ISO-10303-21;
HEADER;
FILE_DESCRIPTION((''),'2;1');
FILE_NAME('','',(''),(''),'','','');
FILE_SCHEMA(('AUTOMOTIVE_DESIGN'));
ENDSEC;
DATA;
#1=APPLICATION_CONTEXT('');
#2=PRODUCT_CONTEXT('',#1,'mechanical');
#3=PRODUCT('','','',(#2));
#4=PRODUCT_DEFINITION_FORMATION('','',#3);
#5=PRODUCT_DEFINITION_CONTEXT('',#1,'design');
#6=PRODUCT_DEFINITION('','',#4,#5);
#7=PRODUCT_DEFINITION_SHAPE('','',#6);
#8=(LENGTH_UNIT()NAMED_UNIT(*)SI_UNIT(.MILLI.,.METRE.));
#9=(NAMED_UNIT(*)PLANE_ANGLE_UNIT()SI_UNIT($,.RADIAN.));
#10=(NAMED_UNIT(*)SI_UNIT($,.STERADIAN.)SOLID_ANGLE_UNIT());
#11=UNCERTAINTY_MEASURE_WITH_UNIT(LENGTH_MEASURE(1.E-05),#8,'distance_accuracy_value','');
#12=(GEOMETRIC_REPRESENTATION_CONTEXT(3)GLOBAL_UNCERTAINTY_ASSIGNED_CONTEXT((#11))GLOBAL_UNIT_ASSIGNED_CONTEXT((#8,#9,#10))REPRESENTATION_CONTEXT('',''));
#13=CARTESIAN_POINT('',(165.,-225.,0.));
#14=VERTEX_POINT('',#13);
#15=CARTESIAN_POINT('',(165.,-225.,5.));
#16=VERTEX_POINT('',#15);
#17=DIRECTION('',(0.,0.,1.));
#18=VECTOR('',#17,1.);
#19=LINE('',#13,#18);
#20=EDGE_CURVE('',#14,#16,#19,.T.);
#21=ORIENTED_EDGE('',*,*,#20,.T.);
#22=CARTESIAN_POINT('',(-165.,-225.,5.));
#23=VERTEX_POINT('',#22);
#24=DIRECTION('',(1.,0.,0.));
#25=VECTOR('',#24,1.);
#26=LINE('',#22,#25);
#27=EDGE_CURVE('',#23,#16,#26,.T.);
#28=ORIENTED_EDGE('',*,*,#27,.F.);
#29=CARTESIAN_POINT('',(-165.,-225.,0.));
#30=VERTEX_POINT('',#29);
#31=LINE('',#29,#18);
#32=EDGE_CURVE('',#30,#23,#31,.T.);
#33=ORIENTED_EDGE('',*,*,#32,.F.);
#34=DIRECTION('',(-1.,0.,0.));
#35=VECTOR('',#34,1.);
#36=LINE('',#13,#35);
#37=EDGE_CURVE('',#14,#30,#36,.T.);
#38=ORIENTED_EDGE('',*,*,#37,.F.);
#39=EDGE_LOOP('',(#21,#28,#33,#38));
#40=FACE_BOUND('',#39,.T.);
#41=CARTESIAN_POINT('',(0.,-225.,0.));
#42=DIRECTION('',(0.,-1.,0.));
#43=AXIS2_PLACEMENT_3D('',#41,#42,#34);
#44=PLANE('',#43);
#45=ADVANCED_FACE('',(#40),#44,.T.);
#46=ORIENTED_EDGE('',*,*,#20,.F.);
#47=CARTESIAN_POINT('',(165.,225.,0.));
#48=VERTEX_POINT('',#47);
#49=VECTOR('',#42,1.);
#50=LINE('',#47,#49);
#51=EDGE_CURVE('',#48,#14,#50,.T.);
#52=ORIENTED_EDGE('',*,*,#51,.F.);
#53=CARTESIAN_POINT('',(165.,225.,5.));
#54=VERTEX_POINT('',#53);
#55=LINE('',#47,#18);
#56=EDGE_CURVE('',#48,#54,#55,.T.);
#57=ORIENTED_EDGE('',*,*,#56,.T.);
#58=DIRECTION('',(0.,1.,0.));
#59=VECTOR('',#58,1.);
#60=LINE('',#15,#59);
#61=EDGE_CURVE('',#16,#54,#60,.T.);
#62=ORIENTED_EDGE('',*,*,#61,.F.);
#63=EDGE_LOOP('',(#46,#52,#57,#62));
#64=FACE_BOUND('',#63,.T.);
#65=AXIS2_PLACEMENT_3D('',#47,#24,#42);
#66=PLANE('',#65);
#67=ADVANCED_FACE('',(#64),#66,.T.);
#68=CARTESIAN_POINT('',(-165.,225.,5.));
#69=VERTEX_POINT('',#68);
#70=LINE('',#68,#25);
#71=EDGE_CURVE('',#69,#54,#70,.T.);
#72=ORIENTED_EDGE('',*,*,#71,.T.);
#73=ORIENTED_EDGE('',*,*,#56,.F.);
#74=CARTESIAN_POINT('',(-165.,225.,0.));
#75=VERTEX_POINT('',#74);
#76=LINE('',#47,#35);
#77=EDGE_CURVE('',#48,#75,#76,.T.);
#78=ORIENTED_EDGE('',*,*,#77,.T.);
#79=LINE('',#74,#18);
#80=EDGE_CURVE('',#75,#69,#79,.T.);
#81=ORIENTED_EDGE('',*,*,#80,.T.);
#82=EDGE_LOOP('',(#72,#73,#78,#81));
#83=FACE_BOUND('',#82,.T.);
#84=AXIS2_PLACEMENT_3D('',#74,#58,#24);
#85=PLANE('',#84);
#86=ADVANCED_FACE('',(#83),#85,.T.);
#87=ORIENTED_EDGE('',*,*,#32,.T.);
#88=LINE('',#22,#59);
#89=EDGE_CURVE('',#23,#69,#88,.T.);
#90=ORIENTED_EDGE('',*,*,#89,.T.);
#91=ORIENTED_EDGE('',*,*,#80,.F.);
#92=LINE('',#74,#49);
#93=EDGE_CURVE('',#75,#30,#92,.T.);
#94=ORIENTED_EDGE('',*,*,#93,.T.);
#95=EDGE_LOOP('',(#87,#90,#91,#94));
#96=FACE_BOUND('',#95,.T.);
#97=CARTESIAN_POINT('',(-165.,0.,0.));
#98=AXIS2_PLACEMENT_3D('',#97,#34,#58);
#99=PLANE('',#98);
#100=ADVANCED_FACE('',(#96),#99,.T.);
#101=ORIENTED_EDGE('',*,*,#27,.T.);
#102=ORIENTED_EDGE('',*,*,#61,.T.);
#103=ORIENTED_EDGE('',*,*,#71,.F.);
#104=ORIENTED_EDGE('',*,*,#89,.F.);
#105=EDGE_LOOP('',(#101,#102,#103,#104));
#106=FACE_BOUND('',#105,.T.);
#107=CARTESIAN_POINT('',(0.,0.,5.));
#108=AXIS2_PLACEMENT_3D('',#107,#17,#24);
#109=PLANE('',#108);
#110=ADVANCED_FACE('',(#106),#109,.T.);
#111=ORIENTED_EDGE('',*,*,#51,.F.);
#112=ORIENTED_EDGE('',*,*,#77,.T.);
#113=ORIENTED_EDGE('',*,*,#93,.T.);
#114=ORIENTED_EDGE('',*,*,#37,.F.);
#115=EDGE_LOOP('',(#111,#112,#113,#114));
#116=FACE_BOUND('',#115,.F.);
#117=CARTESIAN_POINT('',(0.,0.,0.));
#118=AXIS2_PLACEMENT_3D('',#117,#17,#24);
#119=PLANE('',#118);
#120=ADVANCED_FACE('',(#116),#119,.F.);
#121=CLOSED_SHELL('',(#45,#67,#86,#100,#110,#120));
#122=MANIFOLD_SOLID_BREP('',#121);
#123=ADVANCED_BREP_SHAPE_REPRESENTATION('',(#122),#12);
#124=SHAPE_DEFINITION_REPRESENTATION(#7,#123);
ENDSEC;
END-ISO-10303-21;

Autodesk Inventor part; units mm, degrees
ref_plane "YZ Plane" through (0, 0, 0) normal (1, 0, 0) x (0, 1, 0)
ref_plane "XZ Plane" through (0, 0, 0) normal (0, 1, 0) x (-1, 0, 0)
ref_plane "XY Plane" through (0, 0, 0) normal (0, 0, 1) x (1, 0, 0)
sketch "Sketch1" plane through (0, 0, 0) normal (0, 0, 1) x (1, 0, 0)
  line L0 (-165, 225) -> (165, 225)
  line L1 (165, 225) -> (165, -225)
  line L2 (165, -225) -> (-165, -225)
  line L3 (-165, -225) -> (-165, 225)
  line L4 (-231, 0) -> (231, 0) projected
  line L5 (0, -315) -> (0, 315) projected
  point P0 (0, 0)
  point P1 (-165, 0)
  point P2 (0, -225)
  dimension "d0" = 330
  dimension "d1" = 450
extrude "Extrusion1" add sketch "Sketch1" along normal blind 5
properties part number "testBasePlate" material "Wood (Birch)"
